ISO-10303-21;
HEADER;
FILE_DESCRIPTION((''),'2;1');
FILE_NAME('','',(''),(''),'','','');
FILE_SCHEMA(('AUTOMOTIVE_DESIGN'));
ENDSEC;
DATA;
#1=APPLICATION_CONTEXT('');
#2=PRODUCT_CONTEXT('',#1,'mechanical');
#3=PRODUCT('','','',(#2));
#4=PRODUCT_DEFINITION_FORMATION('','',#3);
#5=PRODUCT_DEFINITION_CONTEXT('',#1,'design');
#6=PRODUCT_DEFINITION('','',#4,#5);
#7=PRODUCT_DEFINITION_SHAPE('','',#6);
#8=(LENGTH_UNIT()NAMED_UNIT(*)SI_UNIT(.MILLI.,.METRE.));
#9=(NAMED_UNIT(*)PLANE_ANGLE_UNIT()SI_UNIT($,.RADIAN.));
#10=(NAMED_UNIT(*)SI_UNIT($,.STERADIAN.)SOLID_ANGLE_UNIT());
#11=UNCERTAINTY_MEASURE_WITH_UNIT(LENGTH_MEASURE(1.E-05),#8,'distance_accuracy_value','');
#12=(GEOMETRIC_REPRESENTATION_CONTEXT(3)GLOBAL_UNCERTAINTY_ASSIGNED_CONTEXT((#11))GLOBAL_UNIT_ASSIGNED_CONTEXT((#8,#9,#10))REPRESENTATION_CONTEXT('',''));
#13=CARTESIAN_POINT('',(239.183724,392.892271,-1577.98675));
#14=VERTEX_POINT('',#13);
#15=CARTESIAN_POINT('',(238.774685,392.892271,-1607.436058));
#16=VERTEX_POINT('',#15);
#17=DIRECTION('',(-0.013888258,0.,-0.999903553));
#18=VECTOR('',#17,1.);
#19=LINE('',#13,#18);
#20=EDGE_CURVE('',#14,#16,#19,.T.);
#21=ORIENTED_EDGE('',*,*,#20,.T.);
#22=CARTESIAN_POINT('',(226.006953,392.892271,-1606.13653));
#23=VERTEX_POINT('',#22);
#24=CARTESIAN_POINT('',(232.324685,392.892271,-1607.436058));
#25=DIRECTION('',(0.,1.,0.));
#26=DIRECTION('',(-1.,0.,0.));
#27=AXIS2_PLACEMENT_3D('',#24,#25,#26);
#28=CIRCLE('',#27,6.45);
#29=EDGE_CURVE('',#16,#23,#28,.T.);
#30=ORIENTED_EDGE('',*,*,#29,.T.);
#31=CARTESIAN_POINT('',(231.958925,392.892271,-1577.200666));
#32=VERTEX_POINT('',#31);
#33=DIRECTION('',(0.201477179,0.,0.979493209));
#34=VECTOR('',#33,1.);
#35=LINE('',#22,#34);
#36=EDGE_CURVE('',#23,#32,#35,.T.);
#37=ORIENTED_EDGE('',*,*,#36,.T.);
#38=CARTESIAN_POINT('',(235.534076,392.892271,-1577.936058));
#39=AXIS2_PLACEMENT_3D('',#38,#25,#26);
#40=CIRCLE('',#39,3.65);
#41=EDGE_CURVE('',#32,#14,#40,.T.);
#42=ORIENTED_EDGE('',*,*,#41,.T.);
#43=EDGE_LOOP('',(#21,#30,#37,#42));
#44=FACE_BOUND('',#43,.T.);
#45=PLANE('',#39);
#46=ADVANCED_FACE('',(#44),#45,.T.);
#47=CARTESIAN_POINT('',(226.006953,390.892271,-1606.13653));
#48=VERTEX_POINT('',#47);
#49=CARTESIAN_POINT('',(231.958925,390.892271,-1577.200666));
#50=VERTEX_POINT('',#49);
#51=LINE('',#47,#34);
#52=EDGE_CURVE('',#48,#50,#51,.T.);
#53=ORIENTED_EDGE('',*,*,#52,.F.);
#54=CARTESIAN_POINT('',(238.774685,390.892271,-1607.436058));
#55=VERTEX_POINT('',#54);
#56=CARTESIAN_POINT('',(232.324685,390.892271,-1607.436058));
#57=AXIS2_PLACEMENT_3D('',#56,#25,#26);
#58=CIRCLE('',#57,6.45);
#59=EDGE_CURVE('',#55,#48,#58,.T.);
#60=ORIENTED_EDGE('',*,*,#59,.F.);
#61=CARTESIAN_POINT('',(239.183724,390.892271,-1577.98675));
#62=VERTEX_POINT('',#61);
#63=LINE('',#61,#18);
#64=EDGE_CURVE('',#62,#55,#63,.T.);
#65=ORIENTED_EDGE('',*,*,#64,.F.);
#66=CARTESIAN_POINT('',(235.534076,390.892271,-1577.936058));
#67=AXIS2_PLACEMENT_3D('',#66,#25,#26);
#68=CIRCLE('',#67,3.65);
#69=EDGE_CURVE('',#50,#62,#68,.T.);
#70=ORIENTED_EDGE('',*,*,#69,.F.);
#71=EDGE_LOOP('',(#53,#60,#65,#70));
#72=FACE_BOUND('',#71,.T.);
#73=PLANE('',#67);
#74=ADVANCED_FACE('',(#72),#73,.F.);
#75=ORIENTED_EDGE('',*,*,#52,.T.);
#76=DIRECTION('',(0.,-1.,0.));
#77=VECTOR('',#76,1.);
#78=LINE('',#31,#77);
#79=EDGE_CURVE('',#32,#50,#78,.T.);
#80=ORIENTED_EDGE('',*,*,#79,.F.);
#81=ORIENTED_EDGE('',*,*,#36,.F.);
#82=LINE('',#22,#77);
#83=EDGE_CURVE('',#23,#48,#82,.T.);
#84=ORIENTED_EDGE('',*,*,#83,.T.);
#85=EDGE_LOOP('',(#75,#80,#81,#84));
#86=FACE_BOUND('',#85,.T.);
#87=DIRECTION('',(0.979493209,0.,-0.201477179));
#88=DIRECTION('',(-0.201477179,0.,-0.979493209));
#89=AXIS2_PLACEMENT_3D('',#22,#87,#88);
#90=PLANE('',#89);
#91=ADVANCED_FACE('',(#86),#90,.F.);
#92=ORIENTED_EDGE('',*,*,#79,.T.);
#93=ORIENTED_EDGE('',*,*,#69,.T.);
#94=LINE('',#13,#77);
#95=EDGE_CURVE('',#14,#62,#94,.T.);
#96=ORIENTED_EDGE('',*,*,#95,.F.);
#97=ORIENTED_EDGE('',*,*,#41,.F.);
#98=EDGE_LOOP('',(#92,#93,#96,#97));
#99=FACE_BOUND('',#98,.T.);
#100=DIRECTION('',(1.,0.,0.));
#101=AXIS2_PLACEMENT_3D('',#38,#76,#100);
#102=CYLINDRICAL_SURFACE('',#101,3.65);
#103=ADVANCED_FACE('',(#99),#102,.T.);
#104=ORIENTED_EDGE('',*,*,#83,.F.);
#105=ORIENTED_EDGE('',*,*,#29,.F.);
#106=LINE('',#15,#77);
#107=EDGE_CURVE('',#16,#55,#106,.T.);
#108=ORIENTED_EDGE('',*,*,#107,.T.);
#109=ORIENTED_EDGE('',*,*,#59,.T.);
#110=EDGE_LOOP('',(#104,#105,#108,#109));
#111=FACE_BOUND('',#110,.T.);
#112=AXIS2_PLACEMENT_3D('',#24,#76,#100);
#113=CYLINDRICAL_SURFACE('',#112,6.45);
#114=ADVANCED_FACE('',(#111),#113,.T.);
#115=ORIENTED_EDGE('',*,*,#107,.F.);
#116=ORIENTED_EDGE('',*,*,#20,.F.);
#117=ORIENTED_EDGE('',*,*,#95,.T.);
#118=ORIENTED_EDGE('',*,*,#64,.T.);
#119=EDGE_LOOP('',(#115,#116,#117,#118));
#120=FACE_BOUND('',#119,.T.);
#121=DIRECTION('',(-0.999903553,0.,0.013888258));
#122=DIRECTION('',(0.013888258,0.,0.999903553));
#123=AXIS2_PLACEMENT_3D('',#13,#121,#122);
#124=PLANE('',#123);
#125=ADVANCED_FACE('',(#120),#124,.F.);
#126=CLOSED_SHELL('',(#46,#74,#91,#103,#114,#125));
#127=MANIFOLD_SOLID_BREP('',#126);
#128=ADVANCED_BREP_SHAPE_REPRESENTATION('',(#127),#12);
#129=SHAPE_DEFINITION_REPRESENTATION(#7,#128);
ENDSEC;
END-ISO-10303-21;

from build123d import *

# Parameters (mm, degrees)
DODANIE_WYCI_GNI_CIE1_DEPTH = 2


with BuildPart() as part:
    # Szkic2 → Dodanie-wyciągnięcie1 (new body)
    with BuildSketch(Plane(origin=(0, 390.89227062, 0), x_dir=(1, 0, 0), z_dir=(0, 1, 0))):
        with BuildLine():
            Line((226.006953366, 1606.136530313), (231.95892543, 1577.200666413))
            ThreePointArc((231.95892543, 1577.200666413), (235.928878672, 1574.307472912), (239.183723613, 1577.986750257))
            Line((239.183723613, 1577.986750257), (238.774684564, 1607.436058114))
            ThreePointArc((238.774684564, 1607.436058114), (231.671563683, 1613.852905714), (226.006953366, 1606.136530313))
        make_face()
    extrude(amount=DODANIE_WYCI_GNI_CIE1_DEPTH)


solid = part.part
